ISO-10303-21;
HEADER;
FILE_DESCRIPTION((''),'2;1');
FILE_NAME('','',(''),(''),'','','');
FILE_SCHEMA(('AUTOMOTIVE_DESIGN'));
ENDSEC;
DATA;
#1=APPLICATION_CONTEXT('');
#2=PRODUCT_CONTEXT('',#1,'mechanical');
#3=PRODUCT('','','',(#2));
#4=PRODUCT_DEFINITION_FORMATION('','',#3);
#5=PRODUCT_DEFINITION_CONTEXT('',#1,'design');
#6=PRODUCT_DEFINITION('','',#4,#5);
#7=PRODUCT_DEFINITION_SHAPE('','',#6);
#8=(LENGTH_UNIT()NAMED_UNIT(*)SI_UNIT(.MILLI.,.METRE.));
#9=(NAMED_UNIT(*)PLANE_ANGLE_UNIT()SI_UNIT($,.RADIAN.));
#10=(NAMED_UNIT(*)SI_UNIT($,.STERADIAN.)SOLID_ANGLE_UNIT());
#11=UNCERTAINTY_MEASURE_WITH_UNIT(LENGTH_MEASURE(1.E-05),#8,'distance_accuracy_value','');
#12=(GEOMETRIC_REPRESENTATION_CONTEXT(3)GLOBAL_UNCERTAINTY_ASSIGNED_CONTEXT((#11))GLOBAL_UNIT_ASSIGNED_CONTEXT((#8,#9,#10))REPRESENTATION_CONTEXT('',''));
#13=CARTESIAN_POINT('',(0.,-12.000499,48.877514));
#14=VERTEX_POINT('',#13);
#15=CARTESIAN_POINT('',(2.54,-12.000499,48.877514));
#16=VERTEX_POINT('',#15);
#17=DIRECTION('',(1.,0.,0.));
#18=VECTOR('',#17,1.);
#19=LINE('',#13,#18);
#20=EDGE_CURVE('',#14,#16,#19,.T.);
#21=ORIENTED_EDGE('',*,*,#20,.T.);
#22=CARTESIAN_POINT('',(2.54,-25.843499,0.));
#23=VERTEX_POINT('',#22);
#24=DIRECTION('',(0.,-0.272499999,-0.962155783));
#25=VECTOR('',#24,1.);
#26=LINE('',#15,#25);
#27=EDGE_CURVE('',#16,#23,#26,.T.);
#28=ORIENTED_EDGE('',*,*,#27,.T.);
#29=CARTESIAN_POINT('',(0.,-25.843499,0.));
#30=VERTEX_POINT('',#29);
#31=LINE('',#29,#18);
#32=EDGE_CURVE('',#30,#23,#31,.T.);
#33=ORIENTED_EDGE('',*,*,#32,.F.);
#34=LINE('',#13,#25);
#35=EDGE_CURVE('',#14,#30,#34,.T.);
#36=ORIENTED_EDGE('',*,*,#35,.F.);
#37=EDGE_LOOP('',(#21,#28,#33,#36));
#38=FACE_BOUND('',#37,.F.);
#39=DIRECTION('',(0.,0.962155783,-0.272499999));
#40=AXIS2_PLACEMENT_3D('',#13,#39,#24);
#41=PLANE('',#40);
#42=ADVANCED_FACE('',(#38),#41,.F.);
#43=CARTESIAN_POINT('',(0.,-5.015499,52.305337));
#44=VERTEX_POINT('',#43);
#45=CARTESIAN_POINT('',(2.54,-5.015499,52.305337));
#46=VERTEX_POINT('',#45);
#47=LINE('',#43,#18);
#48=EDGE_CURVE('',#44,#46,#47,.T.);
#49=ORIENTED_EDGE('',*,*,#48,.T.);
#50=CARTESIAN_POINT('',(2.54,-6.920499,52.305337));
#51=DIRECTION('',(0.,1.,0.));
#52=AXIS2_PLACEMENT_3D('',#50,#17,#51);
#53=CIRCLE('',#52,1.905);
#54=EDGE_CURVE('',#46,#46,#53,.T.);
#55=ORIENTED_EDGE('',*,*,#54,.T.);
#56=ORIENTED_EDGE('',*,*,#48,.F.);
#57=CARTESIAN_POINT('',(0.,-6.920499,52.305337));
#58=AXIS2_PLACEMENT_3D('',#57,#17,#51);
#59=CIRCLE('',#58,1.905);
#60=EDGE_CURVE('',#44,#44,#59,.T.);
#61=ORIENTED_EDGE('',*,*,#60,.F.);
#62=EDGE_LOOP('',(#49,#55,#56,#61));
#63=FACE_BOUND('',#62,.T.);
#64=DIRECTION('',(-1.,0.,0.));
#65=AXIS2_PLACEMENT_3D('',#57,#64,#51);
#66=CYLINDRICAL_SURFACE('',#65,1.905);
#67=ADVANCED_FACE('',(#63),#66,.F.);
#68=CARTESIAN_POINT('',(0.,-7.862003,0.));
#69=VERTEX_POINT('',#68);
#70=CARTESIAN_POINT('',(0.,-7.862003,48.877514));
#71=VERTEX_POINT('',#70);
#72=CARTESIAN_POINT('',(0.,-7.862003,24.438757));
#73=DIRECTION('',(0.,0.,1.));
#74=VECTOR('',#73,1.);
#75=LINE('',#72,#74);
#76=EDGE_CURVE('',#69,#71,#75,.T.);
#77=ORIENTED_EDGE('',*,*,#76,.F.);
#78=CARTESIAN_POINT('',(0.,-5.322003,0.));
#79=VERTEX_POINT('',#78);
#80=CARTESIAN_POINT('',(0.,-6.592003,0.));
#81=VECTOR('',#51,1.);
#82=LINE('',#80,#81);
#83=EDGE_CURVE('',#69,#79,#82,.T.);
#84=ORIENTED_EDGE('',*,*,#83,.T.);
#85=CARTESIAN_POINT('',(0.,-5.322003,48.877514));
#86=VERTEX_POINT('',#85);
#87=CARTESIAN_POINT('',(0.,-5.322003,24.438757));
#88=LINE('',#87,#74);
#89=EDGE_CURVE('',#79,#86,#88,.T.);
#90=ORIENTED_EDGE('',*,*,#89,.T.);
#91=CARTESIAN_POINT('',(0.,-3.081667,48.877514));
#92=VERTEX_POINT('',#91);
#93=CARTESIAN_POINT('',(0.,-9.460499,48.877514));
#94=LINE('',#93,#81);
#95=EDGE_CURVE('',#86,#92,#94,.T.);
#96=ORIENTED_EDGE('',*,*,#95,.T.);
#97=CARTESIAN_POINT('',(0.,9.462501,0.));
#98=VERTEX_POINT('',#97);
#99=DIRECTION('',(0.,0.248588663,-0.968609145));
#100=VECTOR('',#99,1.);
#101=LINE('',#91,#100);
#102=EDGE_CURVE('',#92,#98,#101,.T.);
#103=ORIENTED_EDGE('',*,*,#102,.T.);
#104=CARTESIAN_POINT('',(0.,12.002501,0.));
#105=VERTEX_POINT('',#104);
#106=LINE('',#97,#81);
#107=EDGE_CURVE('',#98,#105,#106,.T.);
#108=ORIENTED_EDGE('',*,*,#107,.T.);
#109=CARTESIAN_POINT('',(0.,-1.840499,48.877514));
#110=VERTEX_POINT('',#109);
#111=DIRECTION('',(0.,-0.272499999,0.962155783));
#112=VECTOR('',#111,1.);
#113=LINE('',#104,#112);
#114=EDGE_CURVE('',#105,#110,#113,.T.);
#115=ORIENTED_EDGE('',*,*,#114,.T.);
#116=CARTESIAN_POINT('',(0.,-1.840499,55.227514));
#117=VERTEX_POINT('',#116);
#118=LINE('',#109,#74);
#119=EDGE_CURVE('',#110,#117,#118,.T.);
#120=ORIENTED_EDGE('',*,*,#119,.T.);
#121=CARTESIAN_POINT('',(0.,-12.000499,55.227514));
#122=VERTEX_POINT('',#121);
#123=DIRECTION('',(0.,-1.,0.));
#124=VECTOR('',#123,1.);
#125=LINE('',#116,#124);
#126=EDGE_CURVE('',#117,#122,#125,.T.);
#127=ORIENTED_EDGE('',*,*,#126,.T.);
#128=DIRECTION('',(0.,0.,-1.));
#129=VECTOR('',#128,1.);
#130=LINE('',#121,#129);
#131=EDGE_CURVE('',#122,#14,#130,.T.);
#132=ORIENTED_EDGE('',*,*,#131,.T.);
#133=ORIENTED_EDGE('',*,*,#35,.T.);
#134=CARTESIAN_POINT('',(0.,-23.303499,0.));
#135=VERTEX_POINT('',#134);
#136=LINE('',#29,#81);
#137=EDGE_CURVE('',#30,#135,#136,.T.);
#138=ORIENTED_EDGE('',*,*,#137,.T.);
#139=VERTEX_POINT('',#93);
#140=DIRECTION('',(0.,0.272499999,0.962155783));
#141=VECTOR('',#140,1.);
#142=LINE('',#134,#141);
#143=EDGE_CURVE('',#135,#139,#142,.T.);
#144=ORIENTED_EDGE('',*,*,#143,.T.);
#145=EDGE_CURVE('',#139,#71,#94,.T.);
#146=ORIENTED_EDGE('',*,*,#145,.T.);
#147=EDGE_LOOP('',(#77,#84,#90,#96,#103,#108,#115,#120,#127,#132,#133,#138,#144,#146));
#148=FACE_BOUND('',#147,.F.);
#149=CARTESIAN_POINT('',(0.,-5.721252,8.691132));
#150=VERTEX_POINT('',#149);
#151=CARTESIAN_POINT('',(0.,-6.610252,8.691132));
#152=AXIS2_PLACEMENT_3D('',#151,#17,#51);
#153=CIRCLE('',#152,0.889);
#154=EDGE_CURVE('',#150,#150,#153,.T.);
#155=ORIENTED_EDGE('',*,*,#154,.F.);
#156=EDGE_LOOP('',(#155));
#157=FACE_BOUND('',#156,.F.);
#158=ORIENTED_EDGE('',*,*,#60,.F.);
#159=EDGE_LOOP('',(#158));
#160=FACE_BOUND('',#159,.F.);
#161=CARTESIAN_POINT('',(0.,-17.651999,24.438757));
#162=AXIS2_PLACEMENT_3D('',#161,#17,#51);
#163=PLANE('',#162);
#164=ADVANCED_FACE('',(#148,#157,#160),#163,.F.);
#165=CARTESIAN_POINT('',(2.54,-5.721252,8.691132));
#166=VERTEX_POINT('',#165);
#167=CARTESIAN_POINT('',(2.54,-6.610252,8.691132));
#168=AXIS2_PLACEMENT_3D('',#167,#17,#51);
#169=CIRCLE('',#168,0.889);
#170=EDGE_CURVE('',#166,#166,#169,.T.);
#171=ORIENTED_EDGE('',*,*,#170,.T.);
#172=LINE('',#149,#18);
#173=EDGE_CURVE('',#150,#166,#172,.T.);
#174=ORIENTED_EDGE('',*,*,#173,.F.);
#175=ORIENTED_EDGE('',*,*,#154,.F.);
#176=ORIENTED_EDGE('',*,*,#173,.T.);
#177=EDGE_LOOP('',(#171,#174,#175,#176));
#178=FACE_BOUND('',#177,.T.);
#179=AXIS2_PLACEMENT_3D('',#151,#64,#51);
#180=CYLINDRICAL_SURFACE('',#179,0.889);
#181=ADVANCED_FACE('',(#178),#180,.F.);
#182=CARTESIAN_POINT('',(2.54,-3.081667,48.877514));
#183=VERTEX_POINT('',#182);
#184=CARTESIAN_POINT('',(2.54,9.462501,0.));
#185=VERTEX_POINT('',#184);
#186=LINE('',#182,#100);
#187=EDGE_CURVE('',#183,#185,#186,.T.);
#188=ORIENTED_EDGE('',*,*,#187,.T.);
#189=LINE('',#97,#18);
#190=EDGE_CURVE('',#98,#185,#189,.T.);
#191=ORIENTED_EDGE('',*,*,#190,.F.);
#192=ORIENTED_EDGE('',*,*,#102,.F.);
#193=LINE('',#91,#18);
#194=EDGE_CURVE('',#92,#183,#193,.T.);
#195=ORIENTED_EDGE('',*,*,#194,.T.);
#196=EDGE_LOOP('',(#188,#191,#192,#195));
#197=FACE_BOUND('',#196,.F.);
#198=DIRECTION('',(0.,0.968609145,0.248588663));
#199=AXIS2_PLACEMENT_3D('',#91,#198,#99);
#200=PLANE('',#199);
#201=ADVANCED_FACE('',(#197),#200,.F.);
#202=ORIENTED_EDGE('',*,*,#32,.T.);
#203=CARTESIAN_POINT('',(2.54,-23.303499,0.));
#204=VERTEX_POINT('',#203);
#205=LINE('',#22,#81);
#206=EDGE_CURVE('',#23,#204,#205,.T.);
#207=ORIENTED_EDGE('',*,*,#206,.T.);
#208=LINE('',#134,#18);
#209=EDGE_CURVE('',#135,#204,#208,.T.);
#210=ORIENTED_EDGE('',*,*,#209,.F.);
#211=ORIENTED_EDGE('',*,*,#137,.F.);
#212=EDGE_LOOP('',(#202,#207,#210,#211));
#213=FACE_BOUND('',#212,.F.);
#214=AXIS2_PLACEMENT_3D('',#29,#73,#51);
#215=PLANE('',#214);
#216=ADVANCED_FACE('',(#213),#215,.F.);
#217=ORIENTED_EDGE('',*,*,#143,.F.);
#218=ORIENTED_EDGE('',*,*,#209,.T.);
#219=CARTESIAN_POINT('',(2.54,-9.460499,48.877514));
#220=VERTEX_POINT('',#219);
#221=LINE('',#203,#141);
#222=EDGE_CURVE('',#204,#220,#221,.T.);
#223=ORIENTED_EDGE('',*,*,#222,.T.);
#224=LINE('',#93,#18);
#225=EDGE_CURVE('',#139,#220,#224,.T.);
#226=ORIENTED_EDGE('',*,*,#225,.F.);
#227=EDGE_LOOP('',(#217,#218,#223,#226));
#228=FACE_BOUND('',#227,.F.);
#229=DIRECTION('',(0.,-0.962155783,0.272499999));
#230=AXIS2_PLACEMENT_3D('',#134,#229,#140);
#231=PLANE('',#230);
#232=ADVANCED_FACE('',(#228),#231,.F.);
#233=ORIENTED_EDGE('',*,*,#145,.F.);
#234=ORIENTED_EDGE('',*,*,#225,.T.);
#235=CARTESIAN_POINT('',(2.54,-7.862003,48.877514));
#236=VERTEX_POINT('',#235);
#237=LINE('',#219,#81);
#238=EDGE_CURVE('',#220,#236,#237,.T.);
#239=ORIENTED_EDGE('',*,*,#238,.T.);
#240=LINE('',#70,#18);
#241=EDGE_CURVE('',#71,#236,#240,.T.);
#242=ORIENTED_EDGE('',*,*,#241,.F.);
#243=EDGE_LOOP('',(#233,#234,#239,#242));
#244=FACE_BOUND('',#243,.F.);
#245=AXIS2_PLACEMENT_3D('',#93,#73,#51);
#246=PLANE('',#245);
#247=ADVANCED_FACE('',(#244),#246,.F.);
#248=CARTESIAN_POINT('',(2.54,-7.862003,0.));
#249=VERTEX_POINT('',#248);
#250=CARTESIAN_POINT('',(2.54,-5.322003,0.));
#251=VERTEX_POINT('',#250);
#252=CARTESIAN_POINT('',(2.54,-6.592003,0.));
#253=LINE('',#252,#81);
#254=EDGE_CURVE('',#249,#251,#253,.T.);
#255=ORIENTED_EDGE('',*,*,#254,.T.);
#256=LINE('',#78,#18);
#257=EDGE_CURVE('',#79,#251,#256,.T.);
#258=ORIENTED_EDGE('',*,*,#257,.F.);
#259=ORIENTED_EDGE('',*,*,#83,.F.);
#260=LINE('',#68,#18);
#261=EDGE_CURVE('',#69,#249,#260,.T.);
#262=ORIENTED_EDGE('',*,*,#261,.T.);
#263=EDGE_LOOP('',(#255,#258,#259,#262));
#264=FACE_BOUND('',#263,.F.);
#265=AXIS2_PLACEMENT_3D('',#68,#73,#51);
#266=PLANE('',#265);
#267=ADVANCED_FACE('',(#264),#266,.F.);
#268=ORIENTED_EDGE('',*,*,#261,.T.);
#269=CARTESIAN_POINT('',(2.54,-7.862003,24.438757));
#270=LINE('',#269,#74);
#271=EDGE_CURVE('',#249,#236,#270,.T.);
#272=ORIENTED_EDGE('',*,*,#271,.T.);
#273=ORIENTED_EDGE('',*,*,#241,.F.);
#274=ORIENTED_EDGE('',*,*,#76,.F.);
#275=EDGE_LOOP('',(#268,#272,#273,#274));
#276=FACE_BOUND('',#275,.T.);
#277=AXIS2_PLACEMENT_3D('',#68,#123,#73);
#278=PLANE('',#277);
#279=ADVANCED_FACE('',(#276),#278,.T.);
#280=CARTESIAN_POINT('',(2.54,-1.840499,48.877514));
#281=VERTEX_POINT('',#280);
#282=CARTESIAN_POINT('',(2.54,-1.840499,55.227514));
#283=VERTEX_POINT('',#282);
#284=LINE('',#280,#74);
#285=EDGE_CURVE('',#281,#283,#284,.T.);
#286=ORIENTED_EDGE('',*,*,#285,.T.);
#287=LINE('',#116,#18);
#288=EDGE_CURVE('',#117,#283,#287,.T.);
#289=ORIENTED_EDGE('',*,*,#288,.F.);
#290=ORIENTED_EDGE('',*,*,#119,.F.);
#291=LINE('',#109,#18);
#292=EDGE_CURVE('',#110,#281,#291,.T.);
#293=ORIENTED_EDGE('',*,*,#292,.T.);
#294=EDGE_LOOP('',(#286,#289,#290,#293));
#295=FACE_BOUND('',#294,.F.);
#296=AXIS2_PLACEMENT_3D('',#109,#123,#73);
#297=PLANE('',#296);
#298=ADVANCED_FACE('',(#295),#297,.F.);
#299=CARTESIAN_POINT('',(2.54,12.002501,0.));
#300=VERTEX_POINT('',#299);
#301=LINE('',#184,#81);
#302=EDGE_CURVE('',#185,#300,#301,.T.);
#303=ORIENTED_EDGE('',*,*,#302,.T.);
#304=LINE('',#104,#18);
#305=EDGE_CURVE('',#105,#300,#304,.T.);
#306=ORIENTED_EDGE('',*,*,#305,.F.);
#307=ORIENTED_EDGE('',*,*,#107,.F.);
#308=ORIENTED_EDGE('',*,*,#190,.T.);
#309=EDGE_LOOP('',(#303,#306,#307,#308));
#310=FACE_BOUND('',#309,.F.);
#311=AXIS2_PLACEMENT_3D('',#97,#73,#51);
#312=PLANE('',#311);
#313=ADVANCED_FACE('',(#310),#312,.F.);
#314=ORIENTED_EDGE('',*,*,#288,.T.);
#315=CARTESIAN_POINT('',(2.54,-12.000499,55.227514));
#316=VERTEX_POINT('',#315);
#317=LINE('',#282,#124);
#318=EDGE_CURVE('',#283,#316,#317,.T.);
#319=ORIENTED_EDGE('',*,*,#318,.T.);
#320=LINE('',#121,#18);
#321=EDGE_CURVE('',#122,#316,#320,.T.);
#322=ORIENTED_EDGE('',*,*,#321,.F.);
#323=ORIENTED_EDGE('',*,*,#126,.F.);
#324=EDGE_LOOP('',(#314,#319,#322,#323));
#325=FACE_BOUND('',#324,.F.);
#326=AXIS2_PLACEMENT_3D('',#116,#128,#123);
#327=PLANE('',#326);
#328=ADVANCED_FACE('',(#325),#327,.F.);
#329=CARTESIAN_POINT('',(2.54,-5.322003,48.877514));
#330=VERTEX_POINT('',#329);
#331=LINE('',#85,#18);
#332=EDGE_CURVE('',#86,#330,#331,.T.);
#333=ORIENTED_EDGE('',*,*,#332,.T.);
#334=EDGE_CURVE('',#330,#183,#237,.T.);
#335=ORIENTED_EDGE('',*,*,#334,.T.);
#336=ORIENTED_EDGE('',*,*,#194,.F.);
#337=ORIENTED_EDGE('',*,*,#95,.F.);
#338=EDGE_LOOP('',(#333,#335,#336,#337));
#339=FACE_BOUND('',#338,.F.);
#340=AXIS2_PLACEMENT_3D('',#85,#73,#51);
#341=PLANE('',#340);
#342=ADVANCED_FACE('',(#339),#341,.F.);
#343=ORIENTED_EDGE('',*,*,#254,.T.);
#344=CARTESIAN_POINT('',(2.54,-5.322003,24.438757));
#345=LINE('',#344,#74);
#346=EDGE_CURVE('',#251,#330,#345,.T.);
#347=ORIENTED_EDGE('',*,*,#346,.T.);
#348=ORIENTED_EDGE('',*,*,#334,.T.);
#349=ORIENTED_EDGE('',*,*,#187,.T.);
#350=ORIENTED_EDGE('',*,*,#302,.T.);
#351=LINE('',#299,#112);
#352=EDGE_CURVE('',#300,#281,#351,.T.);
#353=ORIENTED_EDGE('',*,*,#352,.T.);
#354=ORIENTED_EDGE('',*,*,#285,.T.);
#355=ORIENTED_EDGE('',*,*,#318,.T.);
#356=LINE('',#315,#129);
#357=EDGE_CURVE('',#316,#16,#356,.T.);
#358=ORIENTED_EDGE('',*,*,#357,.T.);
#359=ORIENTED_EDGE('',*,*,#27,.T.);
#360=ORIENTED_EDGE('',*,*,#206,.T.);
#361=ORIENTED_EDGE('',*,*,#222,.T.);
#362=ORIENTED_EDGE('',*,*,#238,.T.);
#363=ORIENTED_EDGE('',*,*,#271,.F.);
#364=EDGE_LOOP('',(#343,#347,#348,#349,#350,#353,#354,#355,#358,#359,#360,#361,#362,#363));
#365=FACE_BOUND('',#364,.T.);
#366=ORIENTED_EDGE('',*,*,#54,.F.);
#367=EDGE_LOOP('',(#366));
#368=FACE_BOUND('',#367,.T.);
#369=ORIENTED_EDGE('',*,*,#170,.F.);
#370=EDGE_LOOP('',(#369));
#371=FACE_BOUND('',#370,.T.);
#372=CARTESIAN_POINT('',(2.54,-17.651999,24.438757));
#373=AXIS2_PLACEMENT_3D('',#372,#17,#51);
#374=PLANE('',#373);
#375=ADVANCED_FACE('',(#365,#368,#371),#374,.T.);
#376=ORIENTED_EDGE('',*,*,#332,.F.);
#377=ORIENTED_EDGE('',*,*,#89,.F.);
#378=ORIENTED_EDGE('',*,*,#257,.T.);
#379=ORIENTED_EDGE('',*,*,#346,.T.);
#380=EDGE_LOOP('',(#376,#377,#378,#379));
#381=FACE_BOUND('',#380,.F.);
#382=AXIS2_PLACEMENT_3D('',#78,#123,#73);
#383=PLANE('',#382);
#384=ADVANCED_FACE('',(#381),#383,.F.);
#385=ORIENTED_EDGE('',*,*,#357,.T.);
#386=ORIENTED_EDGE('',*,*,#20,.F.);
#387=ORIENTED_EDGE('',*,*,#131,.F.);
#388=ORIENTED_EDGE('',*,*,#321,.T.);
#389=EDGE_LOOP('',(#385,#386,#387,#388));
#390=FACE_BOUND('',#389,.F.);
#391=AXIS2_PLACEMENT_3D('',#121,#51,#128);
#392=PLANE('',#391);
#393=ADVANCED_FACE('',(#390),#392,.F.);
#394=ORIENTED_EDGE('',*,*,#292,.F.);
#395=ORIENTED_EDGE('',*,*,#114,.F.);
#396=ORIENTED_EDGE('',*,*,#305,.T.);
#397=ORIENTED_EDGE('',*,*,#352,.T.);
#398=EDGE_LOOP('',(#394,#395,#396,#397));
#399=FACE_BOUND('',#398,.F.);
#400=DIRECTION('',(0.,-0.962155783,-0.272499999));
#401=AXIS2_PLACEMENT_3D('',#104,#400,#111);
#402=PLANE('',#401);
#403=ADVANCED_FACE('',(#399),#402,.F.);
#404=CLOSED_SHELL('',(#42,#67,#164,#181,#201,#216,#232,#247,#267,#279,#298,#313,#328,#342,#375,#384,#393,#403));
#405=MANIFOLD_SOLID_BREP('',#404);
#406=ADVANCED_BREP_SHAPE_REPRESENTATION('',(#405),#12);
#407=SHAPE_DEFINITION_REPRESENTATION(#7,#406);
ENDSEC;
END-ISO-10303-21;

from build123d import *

# Parameters (mm, degrees)
F0_R     = 1.905
F0_W     = 2.54
F0_H     = 48.877514
F0_R_2   = 0.889
F1_DEPTH = 2.54


with BuildPart() as f1:
    # F0 (on Right) → F1 (new body)
    with BuildSketch(Plane.YZ):
        Polygon((-9.460499, 48.877514), (-12.000499, 48.877514), (-25.843499, 0), (-23.303499, 0), align=None)
        Polygon((-3.081667, 48.877514), (-1.840499, 48.877514), (-1.840499, 55.227514), (-12.000499, 55.227514), (-12.000499, 48.877514), (-9.460499, 48.877514), (-7.862003, 48.877514), (-5.322003, 48.877514), align=None)
        with Locations((-6.920499, 52.305337)):
            Circle(F0_R, mode=Mode.SUBTRACT)
        Polygon((12.002501, 0), (-1.840499, 48.877514), (-3.081667, 48.877514), (9.462501, 0), align=None)
        with Locations((-6.592003, 24.438757)):
            Rectangle(F0_W, F0_H)
        with Locations((-6.610252, 8.691132)):
            Circle(F0_R_2, mode=Mode.SUBTRACT)
    extrude(amount=F1_DEPTH)


solid = f1.part
